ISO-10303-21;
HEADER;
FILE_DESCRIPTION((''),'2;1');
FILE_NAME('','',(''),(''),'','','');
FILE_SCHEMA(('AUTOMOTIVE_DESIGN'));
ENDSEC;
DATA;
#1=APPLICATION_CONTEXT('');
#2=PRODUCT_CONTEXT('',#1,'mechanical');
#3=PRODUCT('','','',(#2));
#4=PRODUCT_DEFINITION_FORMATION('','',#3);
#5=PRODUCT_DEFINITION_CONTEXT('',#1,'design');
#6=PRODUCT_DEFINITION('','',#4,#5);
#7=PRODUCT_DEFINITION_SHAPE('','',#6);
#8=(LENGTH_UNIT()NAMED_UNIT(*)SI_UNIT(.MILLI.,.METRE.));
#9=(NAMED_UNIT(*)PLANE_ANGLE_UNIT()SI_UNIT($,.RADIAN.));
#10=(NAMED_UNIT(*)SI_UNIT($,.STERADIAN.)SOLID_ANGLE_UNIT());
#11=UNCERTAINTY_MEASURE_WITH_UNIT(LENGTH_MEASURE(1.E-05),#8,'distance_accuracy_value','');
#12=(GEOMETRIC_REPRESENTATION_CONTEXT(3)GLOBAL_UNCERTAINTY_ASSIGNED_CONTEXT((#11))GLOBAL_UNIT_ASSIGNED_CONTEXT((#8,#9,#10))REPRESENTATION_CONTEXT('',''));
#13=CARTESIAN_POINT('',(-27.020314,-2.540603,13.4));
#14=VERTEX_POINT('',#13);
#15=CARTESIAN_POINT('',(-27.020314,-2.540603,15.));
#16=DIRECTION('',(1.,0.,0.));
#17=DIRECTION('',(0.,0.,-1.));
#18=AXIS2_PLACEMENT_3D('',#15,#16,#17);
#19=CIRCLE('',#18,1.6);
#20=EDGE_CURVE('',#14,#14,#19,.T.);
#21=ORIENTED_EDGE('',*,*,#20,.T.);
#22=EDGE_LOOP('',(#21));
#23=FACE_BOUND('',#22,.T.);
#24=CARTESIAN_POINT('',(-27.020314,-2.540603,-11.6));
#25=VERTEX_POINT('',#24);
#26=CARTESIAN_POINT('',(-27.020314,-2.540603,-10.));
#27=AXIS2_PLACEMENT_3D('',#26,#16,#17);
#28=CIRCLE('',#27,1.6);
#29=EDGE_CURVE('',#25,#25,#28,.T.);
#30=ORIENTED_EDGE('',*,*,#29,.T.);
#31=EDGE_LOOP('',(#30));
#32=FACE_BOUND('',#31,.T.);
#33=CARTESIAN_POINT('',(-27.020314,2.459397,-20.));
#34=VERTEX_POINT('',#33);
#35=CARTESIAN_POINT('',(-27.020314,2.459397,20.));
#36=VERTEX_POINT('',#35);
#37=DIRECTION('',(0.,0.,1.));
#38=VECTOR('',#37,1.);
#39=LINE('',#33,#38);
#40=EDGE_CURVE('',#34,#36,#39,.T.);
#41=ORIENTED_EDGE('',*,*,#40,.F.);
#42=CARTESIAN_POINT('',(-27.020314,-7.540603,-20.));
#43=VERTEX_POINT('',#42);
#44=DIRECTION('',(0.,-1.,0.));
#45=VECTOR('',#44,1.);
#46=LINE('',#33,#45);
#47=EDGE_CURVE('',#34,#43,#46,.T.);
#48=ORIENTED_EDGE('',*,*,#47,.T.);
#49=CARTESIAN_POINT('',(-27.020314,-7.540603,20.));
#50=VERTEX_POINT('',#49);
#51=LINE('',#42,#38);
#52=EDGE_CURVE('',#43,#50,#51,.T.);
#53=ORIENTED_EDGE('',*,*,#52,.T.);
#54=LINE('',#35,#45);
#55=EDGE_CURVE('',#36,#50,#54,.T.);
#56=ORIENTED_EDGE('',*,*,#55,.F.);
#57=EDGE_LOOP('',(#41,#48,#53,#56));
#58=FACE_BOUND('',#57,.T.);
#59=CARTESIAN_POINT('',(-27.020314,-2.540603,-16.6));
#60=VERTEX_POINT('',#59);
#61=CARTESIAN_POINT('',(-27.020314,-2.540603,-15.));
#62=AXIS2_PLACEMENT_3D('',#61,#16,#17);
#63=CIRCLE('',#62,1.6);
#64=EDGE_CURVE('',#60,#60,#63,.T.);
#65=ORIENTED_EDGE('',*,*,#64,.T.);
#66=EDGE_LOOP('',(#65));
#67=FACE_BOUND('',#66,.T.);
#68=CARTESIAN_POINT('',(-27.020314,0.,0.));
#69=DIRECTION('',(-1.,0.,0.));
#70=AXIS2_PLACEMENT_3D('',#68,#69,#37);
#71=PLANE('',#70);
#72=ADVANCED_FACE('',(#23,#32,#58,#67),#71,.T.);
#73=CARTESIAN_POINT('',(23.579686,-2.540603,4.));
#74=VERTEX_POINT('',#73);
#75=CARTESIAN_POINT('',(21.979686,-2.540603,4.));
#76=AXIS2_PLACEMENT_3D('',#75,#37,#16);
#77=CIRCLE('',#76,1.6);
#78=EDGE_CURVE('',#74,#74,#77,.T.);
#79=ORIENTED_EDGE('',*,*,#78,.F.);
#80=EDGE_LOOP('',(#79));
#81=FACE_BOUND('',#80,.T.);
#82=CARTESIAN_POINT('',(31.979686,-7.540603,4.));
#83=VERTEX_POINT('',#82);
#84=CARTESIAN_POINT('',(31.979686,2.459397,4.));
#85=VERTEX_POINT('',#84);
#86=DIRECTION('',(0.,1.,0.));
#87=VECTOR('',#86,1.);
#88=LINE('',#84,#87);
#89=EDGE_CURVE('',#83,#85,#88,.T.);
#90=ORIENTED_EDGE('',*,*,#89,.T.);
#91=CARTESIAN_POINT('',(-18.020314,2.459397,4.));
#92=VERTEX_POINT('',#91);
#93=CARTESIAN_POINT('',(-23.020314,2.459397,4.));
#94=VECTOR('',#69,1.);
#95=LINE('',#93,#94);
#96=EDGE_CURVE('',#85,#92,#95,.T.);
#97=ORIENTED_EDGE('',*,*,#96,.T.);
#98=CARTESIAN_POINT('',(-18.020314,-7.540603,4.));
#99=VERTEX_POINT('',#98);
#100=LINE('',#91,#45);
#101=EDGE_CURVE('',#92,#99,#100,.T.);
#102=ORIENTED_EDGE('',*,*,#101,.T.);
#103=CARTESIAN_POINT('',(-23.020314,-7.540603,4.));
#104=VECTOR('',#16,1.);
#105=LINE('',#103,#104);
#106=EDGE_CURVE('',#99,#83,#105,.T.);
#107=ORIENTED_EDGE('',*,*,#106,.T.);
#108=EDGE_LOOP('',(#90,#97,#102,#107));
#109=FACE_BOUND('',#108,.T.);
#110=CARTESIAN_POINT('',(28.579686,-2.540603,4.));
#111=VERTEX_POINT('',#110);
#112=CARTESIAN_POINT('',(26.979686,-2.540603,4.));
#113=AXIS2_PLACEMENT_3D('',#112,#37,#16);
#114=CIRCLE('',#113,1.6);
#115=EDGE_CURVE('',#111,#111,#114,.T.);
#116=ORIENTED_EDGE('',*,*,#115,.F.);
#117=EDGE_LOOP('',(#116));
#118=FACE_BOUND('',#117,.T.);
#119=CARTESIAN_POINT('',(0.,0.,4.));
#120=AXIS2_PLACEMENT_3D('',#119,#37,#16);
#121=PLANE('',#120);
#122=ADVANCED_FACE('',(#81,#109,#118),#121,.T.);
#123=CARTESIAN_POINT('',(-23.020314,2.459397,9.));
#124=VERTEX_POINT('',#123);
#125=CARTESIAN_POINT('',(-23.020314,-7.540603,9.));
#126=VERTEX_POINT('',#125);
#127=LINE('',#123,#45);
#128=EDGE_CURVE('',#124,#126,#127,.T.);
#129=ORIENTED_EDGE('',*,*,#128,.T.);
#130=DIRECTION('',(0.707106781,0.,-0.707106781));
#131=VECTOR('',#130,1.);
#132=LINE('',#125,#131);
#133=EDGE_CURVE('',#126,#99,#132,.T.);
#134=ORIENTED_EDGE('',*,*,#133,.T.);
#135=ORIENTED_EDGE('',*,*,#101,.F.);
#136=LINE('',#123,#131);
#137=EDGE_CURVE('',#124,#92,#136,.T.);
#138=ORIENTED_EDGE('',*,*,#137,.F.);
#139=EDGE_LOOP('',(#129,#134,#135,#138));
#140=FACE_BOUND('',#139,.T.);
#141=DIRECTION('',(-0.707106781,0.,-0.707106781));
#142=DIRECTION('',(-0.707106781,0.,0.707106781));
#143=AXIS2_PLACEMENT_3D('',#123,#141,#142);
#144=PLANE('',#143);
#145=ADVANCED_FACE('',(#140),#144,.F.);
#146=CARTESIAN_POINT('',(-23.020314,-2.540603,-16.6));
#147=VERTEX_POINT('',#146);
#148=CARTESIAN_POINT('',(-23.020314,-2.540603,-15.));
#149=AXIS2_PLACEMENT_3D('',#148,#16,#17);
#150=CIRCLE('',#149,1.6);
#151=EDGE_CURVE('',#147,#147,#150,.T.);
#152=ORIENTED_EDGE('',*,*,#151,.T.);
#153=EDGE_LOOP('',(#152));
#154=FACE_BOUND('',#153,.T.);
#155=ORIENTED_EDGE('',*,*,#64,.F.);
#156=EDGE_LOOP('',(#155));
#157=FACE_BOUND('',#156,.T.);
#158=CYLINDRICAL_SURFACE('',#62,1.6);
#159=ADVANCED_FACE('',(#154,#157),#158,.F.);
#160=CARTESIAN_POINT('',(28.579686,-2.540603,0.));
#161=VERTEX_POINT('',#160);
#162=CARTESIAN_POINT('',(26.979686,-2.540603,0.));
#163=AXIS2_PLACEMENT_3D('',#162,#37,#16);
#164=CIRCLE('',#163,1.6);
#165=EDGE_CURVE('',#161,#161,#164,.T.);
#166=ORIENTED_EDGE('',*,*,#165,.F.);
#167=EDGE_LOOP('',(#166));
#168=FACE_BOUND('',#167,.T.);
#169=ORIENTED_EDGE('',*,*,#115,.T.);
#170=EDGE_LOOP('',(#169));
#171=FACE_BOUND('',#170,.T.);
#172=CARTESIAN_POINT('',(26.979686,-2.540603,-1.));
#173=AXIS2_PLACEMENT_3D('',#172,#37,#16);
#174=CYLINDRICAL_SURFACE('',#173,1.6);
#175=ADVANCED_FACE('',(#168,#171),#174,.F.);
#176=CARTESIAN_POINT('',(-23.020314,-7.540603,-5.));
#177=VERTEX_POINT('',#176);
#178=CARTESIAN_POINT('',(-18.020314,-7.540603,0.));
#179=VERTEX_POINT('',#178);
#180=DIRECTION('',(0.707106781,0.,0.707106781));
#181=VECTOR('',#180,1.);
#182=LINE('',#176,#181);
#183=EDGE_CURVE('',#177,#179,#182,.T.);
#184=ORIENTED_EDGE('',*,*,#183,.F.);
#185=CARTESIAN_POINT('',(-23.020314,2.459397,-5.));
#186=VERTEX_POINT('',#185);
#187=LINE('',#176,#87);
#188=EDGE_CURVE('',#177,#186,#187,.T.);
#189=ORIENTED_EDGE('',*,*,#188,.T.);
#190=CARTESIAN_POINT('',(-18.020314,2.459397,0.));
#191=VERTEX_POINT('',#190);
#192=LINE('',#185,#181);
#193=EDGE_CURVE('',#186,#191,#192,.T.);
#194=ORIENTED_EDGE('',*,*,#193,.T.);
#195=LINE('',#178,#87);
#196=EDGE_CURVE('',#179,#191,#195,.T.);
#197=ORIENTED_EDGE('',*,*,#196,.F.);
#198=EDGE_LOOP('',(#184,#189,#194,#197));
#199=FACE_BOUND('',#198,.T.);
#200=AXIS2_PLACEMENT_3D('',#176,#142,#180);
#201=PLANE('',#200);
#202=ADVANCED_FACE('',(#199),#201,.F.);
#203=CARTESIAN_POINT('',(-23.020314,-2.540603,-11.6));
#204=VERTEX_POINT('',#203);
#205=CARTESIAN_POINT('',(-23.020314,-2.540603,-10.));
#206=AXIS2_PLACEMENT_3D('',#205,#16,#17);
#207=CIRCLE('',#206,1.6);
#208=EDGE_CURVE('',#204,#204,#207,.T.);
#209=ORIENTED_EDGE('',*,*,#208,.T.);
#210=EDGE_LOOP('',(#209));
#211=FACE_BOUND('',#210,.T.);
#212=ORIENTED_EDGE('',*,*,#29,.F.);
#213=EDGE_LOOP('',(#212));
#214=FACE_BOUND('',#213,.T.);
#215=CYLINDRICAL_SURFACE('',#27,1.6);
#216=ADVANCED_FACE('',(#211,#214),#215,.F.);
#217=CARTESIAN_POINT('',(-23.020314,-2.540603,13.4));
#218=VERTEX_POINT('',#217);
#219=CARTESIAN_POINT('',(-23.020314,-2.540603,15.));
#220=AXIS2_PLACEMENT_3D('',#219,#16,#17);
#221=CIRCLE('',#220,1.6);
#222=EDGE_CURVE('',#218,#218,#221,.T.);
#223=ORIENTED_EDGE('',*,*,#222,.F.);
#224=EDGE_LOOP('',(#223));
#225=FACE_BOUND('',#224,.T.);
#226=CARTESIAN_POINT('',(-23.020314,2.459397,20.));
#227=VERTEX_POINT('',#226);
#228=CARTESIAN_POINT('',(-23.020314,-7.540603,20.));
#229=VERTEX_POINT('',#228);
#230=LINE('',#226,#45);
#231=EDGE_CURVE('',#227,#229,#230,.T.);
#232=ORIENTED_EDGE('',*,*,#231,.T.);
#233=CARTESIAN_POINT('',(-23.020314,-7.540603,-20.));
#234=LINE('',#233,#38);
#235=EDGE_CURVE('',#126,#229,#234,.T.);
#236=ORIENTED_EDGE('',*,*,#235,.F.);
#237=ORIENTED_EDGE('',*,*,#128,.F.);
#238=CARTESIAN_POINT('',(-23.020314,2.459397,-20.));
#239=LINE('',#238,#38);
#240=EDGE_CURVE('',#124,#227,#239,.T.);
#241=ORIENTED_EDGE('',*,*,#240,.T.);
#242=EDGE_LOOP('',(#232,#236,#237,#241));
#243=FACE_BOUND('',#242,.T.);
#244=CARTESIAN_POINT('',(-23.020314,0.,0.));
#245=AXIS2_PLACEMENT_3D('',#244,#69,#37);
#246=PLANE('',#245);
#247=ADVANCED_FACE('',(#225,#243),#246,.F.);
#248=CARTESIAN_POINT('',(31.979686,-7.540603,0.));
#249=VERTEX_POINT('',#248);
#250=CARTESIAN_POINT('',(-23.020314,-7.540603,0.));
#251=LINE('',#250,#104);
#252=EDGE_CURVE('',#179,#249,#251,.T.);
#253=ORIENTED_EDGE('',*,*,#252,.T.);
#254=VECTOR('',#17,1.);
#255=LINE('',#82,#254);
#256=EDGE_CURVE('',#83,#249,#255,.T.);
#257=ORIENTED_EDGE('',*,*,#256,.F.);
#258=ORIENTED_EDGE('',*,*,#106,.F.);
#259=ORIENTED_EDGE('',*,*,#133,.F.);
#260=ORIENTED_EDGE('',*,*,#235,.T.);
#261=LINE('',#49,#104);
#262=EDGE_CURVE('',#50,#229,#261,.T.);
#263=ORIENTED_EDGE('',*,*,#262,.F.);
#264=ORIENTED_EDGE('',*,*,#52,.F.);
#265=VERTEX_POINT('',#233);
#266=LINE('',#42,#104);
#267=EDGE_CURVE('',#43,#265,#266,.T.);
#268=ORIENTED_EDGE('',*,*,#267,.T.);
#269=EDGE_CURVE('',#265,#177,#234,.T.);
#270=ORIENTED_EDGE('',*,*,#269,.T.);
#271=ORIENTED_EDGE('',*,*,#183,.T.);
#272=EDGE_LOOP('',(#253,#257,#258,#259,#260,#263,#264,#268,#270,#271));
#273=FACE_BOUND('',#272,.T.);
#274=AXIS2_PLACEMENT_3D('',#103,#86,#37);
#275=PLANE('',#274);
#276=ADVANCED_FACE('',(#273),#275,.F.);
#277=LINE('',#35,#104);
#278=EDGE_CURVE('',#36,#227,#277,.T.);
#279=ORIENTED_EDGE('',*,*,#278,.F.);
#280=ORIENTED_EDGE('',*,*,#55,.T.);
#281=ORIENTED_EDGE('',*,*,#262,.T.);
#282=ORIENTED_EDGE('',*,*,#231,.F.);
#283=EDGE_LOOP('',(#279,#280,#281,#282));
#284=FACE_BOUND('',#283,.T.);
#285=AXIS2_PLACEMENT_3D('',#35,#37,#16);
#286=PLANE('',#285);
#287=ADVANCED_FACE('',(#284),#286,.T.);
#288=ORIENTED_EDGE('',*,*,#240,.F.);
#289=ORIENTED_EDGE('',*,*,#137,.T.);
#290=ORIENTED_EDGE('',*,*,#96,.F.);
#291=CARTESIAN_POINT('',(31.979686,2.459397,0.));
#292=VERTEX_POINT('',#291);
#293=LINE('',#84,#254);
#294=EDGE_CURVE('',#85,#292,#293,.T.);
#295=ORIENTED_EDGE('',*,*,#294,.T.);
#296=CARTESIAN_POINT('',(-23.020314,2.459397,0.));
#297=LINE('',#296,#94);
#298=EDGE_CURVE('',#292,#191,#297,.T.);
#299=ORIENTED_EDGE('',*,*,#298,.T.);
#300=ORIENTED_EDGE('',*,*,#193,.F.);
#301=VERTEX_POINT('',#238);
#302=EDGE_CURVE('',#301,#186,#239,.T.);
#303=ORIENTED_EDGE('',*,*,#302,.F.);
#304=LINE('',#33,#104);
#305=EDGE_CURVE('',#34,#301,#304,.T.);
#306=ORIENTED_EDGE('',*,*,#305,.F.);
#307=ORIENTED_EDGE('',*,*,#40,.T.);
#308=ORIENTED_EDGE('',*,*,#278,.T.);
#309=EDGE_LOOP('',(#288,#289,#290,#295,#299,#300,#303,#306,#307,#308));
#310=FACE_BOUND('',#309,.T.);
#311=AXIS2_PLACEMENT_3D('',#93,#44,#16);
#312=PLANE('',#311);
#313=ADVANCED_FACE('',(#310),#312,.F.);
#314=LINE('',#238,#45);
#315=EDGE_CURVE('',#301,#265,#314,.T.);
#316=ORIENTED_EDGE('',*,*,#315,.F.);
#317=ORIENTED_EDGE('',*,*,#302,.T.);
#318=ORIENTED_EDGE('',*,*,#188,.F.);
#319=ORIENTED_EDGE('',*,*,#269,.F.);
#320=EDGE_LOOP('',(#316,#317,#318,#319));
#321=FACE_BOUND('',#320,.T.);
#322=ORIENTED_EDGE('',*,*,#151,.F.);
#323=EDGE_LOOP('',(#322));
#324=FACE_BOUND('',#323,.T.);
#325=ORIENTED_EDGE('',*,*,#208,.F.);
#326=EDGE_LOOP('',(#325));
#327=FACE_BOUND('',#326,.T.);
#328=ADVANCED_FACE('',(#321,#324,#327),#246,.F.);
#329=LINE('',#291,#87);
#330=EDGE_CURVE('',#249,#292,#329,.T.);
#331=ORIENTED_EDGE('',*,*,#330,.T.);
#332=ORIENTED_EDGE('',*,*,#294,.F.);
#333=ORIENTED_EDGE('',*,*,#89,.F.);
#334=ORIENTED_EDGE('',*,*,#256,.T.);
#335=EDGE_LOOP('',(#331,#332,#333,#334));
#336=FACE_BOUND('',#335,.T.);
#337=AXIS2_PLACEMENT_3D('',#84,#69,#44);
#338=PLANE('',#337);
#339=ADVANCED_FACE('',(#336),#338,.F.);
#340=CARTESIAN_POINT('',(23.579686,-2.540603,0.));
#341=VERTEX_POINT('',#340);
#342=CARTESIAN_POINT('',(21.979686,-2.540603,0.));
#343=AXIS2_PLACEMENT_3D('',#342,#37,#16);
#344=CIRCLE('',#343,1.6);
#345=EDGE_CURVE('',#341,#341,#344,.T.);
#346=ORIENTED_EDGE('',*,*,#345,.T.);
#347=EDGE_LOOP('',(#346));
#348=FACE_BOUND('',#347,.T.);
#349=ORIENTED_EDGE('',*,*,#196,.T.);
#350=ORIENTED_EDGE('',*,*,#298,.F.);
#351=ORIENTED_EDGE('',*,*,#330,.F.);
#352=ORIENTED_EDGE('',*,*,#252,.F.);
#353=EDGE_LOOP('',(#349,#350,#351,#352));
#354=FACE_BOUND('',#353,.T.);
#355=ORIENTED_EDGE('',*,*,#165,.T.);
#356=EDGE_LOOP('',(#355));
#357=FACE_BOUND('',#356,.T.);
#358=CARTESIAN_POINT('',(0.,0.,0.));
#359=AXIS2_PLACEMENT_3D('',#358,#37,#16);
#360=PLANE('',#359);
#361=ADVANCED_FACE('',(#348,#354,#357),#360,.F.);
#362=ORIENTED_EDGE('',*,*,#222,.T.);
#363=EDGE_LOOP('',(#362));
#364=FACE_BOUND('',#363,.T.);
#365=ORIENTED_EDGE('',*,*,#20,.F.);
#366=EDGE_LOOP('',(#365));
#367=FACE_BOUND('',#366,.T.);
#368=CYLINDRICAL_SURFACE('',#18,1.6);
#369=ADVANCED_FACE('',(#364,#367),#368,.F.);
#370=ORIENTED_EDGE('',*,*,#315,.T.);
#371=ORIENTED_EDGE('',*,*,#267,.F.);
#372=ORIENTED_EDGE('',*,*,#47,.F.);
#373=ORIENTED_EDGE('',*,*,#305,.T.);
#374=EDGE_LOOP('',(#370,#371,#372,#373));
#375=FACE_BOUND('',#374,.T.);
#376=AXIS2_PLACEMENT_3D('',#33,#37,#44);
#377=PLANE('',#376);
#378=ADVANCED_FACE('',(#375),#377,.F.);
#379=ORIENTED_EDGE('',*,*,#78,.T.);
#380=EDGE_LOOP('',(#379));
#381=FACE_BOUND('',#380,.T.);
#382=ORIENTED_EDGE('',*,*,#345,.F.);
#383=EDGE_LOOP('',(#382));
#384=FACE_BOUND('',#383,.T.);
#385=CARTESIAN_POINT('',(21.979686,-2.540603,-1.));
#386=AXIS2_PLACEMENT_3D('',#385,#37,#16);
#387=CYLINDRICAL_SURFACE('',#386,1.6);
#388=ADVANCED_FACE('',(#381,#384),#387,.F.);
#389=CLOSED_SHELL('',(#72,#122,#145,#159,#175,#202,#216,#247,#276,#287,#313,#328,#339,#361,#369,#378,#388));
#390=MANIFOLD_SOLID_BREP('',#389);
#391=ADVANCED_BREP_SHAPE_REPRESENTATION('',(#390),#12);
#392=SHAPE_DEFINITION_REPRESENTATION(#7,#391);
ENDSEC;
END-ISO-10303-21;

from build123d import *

# Parameters (mm, degrees)
SKETCH_1_W          = 55
SKETCH_1_H          = 10
EXTRUDE_1_DEPTH     = 4
SKETCH_2_W          = 40
SKETCH_2_H          = 10
EXTRUDE_2_DEPTH     = 4
EXTRUDE_3_DEPTH     = 10
EXTRUDE_5_DEPTH     = 10
SKETCH_4_R          = 1.6
CUT_EXTRUDE_1_DEPTH = 5
SKETCH_7_R          = 1.6
CUT_EXTRUDE_2_DEPTH = 4


with BuildPart() as part:
    # ｽｹｯﾁ1 → ﾎﾞｽ - 押し出し1 (new body)
    with BuildSketch(Plane.XY):
        with Locations((4.479686187, -2.540603248)):
            Rectangle(SKETCH_1_W, SKETCH_1_H)
    extrude(amount=EXTRUDE_1_DEPTH)

    # ｽｹｯﾁ2 → ﾎﾞｽ - 押し出し2 (add)
    with BuildSketch(Plane.ZY.offset(23.020313813)):
        with Locations((0, -2.540603248)):
            Rectangle(SKETCH_2_W, SKETCH_2_H)
    extrude(amount=EXTRUDE_2_DEPTH)

    # ｽｹｯﾁ3 → ﾎﾞｽ - 押し出し3 (add)
    with BuildSketch(Plane(origin=(0, 2.459396752, 0), x_dir=(1, 0, 0), z_dir=(0, 1, 0))):
        Polygon((-23.020313813, 5), (-18.020313813, 0), (-23.020313813, 0), align=None)
    extrude(amount=-EXTRUDE_3_DEPTH)

    # ｽｹｯﾁ6 → ﾎﾞｽ - 押し出し5 (add)
    with BuildSketch(Plane.XZ.offset(7.540603248)):
        Polygon((-23.020313813, 9), (-18.020313813, 4), (31.979686187, 4), (31.979686187, 0), (-18.020313813, 0), (-23.020313813, -5), (-23.020313813, -20), (-27.020313813, -20), (-27.020313813, 20), (-23.020313813, 20), align=None)
    extrude(amount=-EXTRUDE_5_DEPTH)

    # ｽｹｯﾁ4 → ｶｯﾄ - 押し出し1 (cut)
    with BuildSketch(Plane.XY.offset(4)):
        with Locations((26.979686187, -2.540603248)):
            Circle(SKETCH_4_R)
        with Locations((21.979686187, -2.540603248)):
            Circle(SKETCH_4_R)
    extrude(amount=-CUT_EXTRUDE_1_DEPTH, mode=Mode.SUBTRACT)

    # ｽｹｯﾁ7 → ｶｯﾄ - 押し出し2 (cut)
    with BuildSketch(Plane(origin=(-23.020313813, 0, 0), x_dir=(0, 0, -1), z_dir=(1, 0, 0))):
        with Locations((-15, -2.540603248)):
            Circle(SKETCH_7_R)
        with Locations((10, -2.540603248)):
            Circle(SKETCH_7_R)
        with Locations((15, -2.540603248)):
            Circle(SKETCH_7_R)
    extrude(amount=-CUT_EXTRUDE_2_DEPTH, mode=Mode.SUBTRACT)


solid = part.part
